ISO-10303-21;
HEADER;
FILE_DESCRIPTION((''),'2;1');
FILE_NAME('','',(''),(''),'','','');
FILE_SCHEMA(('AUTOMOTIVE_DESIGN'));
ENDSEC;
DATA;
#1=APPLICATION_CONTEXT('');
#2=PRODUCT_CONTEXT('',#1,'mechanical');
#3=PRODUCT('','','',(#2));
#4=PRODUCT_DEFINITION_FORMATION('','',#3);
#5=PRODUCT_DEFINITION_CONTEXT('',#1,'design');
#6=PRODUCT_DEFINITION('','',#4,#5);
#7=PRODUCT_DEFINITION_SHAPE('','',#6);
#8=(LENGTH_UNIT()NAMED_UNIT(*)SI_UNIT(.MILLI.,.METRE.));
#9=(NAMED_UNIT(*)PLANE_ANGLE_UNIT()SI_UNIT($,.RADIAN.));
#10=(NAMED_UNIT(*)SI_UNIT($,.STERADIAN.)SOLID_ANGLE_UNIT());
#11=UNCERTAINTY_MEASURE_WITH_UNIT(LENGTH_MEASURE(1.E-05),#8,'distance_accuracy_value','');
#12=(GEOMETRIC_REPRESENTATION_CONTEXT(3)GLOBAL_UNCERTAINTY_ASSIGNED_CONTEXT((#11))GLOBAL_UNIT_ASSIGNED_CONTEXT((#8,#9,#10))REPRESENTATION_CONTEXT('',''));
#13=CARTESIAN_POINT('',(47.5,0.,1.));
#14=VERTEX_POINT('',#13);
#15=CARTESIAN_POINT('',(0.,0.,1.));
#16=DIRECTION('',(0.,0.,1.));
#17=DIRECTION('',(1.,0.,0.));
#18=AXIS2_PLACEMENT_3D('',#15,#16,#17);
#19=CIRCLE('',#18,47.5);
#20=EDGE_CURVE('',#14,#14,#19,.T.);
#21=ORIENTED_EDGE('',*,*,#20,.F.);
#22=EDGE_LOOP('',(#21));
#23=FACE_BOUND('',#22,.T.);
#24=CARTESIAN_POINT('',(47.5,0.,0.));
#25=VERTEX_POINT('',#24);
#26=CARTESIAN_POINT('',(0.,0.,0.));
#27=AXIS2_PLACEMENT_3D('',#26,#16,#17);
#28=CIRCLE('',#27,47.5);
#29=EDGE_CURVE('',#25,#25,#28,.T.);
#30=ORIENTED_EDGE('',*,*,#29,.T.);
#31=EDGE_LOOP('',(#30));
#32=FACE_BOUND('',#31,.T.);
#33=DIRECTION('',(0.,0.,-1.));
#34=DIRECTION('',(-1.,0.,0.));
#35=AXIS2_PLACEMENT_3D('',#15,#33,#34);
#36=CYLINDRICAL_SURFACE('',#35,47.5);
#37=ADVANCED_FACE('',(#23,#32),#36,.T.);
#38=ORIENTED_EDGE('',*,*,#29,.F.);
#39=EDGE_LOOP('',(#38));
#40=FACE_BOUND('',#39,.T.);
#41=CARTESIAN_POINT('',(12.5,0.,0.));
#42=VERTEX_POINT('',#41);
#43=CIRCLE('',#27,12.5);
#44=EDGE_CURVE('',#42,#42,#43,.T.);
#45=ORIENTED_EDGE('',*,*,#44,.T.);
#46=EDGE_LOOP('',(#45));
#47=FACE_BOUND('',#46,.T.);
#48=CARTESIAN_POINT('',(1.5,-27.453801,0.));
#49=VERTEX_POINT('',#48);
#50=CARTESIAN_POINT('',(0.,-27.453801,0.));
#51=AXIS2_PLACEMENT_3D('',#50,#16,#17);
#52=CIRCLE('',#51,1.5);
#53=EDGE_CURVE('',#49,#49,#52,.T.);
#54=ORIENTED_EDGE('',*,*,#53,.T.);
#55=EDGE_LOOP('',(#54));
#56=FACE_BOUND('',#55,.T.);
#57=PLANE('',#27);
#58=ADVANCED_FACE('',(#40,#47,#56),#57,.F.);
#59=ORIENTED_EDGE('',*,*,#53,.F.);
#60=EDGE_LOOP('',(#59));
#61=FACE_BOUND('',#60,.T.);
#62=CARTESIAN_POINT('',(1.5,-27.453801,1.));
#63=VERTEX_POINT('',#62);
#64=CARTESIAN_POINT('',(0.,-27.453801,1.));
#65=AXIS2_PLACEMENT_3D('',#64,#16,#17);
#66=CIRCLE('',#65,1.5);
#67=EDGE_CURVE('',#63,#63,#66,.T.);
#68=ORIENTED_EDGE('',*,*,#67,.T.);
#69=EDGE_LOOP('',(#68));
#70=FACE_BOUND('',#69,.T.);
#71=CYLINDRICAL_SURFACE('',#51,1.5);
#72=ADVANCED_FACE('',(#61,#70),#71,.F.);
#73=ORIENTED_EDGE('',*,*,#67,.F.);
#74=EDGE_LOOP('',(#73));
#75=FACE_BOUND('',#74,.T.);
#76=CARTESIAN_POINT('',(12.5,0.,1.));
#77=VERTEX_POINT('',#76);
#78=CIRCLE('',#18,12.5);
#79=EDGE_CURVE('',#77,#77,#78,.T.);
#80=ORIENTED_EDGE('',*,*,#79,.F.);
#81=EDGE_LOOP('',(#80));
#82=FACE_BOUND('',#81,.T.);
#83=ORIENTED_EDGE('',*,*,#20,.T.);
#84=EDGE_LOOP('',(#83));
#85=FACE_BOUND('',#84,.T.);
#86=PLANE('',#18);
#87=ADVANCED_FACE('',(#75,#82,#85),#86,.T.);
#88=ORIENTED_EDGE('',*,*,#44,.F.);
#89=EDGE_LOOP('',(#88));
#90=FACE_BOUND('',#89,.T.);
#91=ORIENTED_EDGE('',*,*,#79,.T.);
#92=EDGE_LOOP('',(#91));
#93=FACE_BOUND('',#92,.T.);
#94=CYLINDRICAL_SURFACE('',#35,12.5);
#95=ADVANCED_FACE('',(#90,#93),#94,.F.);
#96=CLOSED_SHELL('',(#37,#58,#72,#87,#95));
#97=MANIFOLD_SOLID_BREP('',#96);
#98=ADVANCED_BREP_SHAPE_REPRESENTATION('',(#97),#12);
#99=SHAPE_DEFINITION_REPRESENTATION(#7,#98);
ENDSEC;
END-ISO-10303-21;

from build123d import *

# Parameters (mm, degrees)
ESBO_O1_R                = 47.5
ESBO_O1_R_2              = 12.5
RESSALTO_EXTRUS_O1_DEPTH = 1
ESBO_O2_R                = 1.5
CORTE_EXTRUS_O1_DEPTH    = 1


with BuildPart() as part:
    # Esboço1 → Ressalto-extrusão1 (new body)
    with BuildSketch(Plane.XY):
        Circle(ESBO_O1_R)
        Circle(ESBO_O1_R_2, mode=Mode.SUBTRACT)
    extrude(amount=RESSALTO_EXTRUS_O1_DEPTH)

    # Esboço2 → Corte-extrusão1 (cut)
    with BuildSketch(Plane.XY.offset(1)):
        with Locations((0, -27.453800689)):
            Circle(ESBO_O2_R)
    extrude(amount=-CORTE_EXTRUS_O1_DEPTH, mode=Mode.SUBTRACT)


solid = part.part
